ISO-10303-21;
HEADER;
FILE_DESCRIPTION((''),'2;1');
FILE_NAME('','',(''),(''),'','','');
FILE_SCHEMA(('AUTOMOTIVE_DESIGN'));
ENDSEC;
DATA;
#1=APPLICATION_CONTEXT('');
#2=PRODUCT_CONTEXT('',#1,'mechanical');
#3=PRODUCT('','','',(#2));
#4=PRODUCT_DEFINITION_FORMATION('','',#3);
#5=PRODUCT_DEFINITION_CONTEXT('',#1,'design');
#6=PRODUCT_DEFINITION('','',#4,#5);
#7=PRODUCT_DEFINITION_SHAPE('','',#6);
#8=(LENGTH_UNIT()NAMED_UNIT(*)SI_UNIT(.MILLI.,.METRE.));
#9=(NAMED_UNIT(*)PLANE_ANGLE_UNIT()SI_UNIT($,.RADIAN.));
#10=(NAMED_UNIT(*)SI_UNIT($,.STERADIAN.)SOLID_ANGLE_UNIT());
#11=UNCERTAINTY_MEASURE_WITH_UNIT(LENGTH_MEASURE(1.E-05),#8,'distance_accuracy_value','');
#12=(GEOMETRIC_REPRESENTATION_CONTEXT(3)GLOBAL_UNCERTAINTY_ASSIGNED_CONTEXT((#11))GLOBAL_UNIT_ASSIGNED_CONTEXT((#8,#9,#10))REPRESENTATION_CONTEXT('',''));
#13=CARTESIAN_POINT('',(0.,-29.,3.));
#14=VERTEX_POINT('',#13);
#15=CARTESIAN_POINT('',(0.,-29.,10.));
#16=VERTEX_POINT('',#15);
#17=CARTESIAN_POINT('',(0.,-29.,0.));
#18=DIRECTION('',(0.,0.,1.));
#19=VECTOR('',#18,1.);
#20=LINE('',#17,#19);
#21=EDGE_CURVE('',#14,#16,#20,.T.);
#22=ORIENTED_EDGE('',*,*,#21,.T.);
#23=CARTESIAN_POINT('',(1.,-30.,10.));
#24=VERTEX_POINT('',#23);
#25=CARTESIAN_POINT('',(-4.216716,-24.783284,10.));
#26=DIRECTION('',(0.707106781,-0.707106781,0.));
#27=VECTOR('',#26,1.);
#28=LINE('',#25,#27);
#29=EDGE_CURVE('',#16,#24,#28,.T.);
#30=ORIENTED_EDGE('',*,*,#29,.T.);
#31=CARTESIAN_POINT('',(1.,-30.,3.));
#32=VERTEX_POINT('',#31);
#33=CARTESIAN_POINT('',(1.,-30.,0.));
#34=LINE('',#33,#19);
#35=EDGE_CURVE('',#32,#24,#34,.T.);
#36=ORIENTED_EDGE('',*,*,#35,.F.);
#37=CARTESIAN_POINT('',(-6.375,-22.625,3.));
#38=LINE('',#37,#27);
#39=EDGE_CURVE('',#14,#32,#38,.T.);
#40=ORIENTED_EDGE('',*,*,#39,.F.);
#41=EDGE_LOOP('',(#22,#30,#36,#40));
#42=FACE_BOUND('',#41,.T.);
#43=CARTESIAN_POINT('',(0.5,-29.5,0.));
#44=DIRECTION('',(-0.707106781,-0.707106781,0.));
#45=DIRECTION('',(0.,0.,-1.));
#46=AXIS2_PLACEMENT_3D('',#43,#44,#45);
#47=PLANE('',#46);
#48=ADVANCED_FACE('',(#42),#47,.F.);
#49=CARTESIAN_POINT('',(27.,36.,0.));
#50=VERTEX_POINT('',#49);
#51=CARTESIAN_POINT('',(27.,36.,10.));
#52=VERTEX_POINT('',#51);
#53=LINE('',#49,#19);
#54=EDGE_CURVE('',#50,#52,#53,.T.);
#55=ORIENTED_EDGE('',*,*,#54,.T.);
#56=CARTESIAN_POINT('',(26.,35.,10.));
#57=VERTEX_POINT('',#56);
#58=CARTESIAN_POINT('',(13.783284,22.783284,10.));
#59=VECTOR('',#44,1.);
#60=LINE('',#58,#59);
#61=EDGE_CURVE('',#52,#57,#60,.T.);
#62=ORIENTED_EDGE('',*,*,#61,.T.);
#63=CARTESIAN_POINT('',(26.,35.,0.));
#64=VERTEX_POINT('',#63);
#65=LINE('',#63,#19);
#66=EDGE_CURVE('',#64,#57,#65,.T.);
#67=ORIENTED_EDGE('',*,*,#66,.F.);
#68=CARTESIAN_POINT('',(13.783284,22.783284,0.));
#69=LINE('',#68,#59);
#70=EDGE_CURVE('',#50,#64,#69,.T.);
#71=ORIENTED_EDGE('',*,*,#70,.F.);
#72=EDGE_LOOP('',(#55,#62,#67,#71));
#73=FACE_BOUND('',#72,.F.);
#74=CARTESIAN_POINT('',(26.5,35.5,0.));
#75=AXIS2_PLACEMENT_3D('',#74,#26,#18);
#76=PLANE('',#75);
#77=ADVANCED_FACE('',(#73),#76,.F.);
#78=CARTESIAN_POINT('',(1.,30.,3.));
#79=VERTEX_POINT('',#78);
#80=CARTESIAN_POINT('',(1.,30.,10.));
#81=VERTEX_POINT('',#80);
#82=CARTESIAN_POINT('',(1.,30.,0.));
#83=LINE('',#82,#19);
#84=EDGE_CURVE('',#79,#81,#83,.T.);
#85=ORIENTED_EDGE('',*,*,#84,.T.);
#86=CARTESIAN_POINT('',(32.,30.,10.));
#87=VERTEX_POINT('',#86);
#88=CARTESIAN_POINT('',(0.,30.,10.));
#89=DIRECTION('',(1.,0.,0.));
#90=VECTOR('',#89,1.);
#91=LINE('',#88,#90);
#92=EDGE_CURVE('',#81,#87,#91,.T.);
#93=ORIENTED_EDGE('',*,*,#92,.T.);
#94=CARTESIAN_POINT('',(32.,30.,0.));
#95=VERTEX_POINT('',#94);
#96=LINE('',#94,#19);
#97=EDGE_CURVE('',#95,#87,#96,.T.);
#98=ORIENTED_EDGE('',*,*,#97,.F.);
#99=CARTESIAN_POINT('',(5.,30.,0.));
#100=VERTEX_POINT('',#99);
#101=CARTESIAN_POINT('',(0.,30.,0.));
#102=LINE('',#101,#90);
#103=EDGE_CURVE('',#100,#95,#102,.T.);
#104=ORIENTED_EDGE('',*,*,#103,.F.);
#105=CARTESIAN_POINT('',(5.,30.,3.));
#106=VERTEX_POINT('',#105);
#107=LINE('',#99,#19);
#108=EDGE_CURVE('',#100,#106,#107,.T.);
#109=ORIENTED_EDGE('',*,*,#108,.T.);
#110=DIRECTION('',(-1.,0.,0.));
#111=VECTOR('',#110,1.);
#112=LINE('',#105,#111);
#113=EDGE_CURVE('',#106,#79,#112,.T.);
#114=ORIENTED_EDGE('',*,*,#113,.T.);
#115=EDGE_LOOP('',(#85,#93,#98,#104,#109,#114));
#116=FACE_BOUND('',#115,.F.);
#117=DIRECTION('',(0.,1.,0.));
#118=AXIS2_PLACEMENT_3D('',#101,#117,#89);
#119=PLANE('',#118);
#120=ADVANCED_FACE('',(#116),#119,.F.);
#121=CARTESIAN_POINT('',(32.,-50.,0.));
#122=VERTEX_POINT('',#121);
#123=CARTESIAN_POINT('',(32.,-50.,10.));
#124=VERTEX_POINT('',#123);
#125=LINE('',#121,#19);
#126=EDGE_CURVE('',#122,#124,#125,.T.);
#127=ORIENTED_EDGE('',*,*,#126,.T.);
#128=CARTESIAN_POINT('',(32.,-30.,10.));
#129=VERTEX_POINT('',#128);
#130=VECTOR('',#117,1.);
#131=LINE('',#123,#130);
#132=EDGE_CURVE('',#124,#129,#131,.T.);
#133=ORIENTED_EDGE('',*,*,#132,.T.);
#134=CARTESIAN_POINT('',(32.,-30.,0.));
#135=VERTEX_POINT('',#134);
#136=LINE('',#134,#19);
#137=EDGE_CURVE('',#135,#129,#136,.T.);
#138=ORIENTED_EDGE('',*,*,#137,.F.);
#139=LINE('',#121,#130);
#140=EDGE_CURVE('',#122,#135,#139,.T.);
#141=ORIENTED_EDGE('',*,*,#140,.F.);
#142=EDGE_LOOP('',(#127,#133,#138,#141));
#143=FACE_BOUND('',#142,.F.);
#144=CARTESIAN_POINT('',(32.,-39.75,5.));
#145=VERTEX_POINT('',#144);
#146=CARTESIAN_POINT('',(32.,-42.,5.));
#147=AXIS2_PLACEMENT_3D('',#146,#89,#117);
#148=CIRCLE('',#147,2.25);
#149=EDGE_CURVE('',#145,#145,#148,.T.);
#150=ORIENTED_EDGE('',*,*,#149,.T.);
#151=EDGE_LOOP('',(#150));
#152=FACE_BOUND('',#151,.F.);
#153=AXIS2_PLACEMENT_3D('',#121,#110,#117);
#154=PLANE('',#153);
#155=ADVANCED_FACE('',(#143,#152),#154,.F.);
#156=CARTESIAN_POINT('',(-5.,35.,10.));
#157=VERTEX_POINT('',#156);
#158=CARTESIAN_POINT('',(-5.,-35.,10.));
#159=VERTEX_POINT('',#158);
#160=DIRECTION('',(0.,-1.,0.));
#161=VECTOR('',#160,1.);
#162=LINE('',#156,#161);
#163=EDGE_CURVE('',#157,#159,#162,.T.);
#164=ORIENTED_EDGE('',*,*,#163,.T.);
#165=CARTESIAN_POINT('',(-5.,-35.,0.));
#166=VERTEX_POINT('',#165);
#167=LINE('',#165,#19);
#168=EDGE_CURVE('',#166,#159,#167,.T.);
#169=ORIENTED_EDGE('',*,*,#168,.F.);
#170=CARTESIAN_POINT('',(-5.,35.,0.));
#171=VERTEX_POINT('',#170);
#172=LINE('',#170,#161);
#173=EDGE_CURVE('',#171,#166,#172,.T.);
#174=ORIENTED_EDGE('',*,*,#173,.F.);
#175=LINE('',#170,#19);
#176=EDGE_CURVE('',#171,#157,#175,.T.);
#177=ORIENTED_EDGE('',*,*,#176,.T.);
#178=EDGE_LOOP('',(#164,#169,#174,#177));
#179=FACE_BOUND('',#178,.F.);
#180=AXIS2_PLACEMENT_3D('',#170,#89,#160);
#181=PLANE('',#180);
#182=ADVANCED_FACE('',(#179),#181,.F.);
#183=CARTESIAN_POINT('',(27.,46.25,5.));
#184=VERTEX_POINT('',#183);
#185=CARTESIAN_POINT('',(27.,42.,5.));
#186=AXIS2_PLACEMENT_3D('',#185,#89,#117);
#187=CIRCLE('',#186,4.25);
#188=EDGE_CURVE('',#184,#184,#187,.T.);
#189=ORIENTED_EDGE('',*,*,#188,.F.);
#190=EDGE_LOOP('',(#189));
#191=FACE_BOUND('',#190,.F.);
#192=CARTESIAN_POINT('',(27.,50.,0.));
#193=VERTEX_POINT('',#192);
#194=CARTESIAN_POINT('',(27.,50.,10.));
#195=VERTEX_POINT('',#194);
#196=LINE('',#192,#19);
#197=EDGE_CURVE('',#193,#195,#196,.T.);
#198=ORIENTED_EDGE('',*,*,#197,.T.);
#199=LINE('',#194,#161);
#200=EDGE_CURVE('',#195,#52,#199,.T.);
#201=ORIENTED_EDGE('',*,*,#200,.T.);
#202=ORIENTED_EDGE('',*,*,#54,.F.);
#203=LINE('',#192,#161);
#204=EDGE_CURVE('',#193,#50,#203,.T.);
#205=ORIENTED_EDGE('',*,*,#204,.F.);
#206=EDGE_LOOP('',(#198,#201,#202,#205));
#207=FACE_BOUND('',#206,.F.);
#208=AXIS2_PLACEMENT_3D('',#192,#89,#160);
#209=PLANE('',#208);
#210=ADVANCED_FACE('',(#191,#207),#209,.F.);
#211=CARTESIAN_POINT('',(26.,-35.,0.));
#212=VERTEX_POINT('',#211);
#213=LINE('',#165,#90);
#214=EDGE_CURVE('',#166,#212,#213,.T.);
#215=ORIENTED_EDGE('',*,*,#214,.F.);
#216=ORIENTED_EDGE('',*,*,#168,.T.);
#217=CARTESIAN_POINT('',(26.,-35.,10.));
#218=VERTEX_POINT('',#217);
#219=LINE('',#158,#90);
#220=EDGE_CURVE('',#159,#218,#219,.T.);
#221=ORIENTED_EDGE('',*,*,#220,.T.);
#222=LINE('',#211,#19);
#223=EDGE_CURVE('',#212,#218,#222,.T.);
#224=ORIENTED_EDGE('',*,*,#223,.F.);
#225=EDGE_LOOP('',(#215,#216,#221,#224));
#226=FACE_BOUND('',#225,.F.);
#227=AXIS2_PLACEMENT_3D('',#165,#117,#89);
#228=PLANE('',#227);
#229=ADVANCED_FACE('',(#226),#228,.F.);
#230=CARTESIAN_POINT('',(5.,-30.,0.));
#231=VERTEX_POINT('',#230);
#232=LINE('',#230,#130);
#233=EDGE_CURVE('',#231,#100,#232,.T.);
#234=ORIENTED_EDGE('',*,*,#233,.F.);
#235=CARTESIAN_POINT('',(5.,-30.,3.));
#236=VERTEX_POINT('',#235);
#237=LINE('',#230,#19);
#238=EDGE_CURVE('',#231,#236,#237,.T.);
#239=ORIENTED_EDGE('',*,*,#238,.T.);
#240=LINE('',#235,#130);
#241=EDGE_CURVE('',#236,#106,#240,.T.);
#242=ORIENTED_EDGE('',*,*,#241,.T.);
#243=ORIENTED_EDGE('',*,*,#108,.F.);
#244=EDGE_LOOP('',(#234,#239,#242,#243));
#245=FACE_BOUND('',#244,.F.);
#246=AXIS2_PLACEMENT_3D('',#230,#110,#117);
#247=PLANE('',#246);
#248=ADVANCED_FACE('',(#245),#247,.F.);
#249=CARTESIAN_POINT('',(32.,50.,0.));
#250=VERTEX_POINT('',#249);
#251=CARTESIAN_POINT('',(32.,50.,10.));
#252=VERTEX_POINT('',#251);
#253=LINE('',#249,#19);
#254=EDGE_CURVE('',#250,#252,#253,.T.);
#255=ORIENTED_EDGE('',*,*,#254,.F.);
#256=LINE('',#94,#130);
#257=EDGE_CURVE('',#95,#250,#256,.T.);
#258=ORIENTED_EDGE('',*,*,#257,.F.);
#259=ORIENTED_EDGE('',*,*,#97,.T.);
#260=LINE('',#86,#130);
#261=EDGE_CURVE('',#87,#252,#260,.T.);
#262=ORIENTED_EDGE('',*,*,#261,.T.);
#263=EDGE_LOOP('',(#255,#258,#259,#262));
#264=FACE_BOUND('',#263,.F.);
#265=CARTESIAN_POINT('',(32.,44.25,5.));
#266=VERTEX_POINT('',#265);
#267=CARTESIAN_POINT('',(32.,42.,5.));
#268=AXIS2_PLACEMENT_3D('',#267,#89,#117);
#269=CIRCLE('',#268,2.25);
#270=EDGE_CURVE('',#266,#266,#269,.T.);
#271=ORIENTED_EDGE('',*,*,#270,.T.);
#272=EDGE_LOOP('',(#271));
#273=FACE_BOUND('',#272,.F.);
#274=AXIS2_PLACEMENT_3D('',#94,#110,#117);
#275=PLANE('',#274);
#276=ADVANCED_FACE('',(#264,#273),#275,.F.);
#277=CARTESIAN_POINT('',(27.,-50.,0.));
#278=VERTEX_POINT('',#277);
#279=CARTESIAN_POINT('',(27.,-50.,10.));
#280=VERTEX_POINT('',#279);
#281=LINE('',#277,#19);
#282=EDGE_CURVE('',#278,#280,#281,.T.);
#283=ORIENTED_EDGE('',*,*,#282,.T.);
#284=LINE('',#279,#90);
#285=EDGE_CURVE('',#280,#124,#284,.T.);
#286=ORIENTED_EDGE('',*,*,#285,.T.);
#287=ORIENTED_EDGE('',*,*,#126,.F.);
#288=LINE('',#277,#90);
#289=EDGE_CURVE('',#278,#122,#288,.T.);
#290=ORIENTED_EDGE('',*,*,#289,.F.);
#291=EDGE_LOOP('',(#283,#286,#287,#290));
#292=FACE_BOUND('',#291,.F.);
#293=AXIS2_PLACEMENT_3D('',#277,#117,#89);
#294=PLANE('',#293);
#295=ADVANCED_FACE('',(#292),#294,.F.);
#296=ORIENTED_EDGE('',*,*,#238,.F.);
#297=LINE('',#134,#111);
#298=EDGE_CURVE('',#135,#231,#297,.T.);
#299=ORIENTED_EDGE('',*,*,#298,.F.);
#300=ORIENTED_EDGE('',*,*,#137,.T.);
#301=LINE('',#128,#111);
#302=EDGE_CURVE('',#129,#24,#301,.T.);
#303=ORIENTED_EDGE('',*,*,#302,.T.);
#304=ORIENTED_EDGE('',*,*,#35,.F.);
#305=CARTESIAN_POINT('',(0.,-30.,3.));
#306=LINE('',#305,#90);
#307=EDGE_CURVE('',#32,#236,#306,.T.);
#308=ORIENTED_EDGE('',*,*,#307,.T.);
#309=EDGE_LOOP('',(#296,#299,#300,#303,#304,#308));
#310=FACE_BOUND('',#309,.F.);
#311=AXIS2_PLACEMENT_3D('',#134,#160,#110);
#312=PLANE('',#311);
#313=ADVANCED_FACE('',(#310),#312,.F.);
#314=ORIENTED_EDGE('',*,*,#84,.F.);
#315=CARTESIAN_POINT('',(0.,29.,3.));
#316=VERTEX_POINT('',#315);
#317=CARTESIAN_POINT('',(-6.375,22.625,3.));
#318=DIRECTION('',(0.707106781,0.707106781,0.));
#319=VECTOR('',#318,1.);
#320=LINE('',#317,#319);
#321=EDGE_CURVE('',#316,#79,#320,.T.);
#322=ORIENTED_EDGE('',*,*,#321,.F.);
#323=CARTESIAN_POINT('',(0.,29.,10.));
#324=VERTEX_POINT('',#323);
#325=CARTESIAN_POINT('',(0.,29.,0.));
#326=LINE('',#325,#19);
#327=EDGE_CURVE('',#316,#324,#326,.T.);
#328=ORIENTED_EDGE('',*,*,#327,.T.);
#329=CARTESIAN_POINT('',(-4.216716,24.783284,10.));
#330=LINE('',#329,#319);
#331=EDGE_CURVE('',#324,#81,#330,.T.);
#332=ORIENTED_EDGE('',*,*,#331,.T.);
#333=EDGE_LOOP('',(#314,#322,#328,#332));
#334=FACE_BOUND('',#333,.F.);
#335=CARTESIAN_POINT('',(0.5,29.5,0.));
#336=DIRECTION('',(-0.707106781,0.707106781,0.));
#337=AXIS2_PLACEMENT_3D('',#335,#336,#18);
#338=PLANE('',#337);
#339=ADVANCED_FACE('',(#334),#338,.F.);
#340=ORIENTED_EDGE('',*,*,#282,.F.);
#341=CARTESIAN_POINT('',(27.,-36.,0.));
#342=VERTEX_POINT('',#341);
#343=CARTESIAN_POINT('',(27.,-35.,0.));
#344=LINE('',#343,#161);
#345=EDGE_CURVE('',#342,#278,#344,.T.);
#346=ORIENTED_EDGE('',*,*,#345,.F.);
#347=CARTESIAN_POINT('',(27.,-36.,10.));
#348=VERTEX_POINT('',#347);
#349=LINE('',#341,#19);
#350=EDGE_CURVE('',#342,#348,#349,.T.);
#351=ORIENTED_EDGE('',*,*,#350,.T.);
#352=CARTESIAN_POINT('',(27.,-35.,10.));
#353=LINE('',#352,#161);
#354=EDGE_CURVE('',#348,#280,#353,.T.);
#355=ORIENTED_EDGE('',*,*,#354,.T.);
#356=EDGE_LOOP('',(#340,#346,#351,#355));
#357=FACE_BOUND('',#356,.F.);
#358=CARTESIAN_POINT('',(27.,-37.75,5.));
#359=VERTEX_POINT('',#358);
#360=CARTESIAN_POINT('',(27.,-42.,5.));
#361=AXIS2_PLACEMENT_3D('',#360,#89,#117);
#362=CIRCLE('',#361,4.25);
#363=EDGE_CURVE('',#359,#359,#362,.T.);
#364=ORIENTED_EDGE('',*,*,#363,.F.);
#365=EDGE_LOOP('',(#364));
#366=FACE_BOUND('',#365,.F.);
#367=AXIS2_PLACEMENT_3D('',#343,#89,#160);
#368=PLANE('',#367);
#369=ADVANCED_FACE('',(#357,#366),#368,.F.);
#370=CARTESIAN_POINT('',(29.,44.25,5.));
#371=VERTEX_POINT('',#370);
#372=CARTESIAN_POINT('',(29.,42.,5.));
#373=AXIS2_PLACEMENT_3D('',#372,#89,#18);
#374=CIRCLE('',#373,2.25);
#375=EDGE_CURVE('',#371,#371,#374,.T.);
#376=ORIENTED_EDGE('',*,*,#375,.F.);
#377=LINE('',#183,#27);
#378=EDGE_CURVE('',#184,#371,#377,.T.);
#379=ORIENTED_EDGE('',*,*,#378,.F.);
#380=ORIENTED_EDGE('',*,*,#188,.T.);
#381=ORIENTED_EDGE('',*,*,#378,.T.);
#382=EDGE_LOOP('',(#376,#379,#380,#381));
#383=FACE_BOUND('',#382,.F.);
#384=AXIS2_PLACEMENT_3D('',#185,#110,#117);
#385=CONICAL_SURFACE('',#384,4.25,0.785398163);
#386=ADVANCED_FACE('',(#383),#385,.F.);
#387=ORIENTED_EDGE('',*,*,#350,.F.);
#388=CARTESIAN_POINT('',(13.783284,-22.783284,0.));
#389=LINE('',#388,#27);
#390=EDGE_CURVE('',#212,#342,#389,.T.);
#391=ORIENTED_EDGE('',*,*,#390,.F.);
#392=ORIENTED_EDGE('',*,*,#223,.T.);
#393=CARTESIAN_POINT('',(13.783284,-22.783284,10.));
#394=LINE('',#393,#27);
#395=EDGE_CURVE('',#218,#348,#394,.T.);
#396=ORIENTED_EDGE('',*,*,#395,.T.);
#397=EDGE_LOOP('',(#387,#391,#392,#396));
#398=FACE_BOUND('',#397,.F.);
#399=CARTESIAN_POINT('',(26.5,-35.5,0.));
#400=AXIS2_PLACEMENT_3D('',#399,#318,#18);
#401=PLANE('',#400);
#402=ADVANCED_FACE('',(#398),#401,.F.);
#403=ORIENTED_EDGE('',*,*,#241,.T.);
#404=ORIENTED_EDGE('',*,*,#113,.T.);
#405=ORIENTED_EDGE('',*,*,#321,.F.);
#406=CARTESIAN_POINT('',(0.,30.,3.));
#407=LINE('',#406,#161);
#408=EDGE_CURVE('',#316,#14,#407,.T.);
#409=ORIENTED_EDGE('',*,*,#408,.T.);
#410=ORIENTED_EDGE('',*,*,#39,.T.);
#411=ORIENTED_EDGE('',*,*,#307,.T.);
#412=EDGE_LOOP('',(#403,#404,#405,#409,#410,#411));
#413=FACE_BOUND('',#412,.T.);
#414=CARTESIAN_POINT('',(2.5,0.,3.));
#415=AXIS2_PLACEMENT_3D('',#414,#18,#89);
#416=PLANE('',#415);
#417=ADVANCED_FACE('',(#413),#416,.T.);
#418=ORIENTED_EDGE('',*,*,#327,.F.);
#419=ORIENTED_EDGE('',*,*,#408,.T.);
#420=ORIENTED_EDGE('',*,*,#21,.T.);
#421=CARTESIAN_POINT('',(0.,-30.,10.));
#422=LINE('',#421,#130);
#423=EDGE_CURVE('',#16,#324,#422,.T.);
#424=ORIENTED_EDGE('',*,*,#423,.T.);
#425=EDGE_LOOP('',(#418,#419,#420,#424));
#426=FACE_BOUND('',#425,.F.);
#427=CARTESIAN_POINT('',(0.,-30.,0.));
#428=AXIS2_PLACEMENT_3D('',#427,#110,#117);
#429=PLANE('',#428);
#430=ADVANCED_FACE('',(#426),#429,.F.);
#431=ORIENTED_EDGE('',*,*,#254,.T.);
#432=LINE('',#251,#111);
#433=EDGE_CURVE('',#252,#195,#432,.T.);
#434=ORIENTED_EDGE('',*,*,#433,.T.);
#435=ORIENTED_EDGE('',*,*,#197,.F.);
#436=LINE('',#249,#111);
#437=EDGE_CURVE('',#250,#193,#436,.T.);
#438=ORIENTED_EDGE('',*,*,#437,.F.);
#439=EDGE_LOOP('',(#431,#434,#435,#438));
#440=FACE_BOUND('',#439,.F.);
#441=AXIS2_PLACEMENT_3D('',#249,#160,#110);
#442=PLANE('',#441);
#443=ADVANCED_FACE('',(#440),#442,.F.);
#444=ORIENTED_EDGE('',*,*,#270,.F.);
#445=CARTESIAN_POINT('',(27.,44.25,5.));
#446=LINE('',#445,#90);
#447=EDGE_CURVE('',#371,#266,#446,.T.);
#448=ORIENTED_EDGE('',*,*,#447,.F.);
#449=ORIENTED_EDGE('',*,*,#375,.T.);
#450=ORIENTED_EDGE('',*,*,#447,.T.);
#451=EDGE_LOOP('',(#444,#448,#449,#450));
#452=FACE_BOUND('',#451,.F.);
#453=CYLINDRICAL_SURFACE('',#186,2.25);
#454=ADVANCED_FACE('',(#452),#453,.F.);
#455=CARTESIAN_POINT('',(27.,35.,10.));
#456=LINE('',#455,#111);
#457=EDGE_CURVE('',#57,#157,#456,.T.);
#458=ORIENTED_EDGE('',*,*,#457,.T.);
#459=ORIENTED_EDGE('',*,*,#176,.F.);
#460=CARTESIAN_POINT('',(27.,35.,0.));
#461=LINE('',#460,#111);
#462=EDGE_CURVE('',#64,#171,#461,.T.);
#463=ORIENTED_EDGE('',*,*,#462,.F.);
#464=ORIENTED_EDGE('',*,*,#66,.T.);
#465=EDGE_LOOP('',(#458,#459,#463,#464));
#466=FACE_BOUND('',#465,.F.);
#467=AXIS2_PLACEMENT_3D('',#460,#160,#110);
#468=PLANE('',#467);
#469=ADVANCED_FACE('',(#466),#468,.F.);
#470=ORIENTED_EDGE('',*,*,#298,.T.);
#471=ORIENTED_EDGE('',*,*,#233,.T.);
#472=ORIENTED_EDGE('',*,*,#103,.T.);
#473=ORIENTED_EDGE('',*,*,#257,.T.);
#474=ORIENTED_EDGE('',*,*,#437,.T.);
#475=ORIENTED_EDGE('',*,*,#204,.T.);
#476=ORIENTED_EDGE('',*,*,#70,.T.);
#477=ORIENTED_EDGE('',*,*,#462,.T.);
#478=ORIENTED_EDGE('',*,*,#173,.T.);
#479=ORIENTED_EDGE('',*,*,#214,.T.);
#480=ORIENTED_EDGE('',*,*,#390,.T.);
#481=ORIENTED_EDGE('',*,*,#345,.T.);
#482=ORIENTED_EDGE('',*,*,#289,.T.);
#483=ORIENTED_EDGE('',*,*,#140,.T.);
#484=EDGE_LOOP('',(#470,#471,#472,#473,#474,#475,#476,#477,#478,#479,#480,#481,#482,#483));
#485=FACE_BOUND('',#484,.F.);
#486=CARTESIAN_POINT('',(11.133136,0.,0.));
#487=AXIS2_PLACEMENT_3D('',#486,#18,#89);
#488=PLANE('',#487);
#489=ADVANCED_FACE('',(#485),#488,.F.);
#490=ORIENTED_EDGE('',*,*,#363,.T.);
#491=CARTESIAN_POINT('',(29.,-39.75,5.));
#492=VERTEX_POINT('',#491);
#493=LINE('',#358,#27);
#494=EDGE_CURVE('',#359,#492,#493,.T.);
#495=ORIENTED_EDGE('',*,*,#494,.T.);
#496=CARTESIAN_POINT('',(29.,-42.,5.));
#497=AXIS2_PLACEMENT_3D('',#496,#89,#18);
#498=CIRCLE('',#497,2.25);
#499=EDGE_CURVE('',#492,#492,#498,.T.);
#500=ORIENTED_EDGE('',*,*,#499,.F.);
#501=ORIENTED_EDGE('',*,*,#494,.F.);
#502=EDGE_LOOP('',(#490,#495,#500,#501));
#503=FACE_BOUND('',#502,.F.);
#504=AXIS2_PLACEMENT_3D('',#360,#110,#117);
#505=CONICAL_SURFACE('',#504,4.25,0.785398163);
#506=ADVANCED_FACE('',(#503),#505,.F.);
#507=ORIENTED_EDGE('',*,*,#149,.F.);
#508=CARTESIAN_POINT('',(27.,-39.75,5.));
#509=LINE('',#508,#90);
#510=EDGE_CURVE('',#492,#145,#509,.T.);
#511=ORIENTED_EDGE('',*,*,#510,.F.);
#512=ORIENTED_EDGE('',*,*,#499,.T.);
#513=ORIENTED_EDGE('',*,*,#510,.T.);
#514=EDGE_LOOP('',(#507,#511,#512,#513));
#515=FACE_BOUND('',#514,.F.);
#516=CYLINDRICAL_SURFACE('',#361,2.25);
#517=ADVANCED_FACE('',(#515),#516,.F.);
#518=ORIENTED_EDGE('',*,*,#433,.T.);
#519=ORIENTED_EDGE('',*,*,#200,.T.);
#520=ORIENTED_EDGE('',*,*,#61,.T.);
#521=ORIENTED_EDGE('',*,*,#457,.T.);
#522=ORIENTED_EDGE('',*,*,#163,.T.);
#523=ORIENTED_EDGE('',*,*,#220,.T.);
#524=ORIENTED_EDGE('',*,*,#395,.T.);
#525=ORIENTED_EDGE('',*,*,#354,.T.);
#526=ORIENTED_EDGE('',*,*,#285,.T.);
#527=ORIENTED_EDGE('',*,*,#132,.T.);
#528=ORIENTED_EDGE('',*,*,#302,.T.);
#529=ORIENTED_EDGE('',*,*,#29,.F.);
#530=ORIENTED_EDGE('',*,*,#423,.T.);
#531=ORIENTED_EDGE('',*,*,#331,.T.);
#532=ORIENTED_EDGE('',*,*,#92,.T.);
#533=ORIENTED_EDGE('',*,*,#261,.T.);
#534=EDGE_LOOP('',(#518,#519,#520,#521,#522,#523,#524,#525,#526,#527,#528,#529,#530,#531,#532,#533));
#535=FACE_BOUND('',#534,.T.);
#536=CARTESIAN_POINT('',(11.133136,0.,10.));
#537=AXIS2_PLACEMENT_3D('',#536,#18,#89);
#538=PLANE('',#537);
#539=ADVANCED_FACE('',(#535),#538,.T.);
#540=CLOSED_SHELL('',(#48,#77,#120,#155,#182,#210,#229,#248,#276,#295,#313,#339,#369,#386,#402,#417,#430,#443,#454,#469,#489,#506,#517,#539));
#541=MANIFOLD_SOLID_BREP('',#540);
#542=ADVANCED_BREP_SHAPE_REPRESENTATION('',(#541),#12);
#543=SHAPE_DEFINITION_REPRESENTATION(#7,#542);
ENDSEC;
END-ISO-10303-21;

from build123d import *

# Parameters (mm, degrees)
F1_DEPTH       = 10
F2_SIZE        = 1
F5_D           = 4.5
F5_CSINK_D     = 8.5
F5_CSINK_ANGLE = 90
F6_DEPTH       = 3


with BuildPart() as f1:
    # F0 (on Top) → F1 (new body)
    with BuildSketch(Plane.XY):
        Polygon((0, -30), (0, 0), (0, 30), (5, 30), (32, 30), (32, 50), (27, 50), (27, 35), (-5, 35), (-5, 0), (-5, -35), (27, -35), (27, -50), (32, -50), (32, -30), (5, -30), align=None)
    extrude(amount=F1_DEPTH)

    # F2
    f2_edges = [f1.edges().sort_by_distance(p)[0] for p in [
        (0, -30, 5),
        (27, -35, 5),
        (0, 30, 5),
        (27, 35, 5),
    ]]
    chamfer(f2_edges, length=F2_SIZE)

    # F5 (through all)
    with Locations(Plane(origin=(27, 0, 0), x_dir=(0, -1, 0), z_dir=(-1, 0, 0))):
        with Locations((42, 5), (-42, 5)):
            CounterSinkHole(F5_D / 2, F5_CSINK_D / 2, counter_sink_angle=F5_CSINK_ANGLE)

    # F0 (on Top) → F6 (join)
    with BuildSketch(Plane.XY):
        Polygon((0, 30), (0, 0), (0, -30), (5, -30), (5, 30), align=None)
    extrude(amount=F6_DEPTH)


solid = f1.part
